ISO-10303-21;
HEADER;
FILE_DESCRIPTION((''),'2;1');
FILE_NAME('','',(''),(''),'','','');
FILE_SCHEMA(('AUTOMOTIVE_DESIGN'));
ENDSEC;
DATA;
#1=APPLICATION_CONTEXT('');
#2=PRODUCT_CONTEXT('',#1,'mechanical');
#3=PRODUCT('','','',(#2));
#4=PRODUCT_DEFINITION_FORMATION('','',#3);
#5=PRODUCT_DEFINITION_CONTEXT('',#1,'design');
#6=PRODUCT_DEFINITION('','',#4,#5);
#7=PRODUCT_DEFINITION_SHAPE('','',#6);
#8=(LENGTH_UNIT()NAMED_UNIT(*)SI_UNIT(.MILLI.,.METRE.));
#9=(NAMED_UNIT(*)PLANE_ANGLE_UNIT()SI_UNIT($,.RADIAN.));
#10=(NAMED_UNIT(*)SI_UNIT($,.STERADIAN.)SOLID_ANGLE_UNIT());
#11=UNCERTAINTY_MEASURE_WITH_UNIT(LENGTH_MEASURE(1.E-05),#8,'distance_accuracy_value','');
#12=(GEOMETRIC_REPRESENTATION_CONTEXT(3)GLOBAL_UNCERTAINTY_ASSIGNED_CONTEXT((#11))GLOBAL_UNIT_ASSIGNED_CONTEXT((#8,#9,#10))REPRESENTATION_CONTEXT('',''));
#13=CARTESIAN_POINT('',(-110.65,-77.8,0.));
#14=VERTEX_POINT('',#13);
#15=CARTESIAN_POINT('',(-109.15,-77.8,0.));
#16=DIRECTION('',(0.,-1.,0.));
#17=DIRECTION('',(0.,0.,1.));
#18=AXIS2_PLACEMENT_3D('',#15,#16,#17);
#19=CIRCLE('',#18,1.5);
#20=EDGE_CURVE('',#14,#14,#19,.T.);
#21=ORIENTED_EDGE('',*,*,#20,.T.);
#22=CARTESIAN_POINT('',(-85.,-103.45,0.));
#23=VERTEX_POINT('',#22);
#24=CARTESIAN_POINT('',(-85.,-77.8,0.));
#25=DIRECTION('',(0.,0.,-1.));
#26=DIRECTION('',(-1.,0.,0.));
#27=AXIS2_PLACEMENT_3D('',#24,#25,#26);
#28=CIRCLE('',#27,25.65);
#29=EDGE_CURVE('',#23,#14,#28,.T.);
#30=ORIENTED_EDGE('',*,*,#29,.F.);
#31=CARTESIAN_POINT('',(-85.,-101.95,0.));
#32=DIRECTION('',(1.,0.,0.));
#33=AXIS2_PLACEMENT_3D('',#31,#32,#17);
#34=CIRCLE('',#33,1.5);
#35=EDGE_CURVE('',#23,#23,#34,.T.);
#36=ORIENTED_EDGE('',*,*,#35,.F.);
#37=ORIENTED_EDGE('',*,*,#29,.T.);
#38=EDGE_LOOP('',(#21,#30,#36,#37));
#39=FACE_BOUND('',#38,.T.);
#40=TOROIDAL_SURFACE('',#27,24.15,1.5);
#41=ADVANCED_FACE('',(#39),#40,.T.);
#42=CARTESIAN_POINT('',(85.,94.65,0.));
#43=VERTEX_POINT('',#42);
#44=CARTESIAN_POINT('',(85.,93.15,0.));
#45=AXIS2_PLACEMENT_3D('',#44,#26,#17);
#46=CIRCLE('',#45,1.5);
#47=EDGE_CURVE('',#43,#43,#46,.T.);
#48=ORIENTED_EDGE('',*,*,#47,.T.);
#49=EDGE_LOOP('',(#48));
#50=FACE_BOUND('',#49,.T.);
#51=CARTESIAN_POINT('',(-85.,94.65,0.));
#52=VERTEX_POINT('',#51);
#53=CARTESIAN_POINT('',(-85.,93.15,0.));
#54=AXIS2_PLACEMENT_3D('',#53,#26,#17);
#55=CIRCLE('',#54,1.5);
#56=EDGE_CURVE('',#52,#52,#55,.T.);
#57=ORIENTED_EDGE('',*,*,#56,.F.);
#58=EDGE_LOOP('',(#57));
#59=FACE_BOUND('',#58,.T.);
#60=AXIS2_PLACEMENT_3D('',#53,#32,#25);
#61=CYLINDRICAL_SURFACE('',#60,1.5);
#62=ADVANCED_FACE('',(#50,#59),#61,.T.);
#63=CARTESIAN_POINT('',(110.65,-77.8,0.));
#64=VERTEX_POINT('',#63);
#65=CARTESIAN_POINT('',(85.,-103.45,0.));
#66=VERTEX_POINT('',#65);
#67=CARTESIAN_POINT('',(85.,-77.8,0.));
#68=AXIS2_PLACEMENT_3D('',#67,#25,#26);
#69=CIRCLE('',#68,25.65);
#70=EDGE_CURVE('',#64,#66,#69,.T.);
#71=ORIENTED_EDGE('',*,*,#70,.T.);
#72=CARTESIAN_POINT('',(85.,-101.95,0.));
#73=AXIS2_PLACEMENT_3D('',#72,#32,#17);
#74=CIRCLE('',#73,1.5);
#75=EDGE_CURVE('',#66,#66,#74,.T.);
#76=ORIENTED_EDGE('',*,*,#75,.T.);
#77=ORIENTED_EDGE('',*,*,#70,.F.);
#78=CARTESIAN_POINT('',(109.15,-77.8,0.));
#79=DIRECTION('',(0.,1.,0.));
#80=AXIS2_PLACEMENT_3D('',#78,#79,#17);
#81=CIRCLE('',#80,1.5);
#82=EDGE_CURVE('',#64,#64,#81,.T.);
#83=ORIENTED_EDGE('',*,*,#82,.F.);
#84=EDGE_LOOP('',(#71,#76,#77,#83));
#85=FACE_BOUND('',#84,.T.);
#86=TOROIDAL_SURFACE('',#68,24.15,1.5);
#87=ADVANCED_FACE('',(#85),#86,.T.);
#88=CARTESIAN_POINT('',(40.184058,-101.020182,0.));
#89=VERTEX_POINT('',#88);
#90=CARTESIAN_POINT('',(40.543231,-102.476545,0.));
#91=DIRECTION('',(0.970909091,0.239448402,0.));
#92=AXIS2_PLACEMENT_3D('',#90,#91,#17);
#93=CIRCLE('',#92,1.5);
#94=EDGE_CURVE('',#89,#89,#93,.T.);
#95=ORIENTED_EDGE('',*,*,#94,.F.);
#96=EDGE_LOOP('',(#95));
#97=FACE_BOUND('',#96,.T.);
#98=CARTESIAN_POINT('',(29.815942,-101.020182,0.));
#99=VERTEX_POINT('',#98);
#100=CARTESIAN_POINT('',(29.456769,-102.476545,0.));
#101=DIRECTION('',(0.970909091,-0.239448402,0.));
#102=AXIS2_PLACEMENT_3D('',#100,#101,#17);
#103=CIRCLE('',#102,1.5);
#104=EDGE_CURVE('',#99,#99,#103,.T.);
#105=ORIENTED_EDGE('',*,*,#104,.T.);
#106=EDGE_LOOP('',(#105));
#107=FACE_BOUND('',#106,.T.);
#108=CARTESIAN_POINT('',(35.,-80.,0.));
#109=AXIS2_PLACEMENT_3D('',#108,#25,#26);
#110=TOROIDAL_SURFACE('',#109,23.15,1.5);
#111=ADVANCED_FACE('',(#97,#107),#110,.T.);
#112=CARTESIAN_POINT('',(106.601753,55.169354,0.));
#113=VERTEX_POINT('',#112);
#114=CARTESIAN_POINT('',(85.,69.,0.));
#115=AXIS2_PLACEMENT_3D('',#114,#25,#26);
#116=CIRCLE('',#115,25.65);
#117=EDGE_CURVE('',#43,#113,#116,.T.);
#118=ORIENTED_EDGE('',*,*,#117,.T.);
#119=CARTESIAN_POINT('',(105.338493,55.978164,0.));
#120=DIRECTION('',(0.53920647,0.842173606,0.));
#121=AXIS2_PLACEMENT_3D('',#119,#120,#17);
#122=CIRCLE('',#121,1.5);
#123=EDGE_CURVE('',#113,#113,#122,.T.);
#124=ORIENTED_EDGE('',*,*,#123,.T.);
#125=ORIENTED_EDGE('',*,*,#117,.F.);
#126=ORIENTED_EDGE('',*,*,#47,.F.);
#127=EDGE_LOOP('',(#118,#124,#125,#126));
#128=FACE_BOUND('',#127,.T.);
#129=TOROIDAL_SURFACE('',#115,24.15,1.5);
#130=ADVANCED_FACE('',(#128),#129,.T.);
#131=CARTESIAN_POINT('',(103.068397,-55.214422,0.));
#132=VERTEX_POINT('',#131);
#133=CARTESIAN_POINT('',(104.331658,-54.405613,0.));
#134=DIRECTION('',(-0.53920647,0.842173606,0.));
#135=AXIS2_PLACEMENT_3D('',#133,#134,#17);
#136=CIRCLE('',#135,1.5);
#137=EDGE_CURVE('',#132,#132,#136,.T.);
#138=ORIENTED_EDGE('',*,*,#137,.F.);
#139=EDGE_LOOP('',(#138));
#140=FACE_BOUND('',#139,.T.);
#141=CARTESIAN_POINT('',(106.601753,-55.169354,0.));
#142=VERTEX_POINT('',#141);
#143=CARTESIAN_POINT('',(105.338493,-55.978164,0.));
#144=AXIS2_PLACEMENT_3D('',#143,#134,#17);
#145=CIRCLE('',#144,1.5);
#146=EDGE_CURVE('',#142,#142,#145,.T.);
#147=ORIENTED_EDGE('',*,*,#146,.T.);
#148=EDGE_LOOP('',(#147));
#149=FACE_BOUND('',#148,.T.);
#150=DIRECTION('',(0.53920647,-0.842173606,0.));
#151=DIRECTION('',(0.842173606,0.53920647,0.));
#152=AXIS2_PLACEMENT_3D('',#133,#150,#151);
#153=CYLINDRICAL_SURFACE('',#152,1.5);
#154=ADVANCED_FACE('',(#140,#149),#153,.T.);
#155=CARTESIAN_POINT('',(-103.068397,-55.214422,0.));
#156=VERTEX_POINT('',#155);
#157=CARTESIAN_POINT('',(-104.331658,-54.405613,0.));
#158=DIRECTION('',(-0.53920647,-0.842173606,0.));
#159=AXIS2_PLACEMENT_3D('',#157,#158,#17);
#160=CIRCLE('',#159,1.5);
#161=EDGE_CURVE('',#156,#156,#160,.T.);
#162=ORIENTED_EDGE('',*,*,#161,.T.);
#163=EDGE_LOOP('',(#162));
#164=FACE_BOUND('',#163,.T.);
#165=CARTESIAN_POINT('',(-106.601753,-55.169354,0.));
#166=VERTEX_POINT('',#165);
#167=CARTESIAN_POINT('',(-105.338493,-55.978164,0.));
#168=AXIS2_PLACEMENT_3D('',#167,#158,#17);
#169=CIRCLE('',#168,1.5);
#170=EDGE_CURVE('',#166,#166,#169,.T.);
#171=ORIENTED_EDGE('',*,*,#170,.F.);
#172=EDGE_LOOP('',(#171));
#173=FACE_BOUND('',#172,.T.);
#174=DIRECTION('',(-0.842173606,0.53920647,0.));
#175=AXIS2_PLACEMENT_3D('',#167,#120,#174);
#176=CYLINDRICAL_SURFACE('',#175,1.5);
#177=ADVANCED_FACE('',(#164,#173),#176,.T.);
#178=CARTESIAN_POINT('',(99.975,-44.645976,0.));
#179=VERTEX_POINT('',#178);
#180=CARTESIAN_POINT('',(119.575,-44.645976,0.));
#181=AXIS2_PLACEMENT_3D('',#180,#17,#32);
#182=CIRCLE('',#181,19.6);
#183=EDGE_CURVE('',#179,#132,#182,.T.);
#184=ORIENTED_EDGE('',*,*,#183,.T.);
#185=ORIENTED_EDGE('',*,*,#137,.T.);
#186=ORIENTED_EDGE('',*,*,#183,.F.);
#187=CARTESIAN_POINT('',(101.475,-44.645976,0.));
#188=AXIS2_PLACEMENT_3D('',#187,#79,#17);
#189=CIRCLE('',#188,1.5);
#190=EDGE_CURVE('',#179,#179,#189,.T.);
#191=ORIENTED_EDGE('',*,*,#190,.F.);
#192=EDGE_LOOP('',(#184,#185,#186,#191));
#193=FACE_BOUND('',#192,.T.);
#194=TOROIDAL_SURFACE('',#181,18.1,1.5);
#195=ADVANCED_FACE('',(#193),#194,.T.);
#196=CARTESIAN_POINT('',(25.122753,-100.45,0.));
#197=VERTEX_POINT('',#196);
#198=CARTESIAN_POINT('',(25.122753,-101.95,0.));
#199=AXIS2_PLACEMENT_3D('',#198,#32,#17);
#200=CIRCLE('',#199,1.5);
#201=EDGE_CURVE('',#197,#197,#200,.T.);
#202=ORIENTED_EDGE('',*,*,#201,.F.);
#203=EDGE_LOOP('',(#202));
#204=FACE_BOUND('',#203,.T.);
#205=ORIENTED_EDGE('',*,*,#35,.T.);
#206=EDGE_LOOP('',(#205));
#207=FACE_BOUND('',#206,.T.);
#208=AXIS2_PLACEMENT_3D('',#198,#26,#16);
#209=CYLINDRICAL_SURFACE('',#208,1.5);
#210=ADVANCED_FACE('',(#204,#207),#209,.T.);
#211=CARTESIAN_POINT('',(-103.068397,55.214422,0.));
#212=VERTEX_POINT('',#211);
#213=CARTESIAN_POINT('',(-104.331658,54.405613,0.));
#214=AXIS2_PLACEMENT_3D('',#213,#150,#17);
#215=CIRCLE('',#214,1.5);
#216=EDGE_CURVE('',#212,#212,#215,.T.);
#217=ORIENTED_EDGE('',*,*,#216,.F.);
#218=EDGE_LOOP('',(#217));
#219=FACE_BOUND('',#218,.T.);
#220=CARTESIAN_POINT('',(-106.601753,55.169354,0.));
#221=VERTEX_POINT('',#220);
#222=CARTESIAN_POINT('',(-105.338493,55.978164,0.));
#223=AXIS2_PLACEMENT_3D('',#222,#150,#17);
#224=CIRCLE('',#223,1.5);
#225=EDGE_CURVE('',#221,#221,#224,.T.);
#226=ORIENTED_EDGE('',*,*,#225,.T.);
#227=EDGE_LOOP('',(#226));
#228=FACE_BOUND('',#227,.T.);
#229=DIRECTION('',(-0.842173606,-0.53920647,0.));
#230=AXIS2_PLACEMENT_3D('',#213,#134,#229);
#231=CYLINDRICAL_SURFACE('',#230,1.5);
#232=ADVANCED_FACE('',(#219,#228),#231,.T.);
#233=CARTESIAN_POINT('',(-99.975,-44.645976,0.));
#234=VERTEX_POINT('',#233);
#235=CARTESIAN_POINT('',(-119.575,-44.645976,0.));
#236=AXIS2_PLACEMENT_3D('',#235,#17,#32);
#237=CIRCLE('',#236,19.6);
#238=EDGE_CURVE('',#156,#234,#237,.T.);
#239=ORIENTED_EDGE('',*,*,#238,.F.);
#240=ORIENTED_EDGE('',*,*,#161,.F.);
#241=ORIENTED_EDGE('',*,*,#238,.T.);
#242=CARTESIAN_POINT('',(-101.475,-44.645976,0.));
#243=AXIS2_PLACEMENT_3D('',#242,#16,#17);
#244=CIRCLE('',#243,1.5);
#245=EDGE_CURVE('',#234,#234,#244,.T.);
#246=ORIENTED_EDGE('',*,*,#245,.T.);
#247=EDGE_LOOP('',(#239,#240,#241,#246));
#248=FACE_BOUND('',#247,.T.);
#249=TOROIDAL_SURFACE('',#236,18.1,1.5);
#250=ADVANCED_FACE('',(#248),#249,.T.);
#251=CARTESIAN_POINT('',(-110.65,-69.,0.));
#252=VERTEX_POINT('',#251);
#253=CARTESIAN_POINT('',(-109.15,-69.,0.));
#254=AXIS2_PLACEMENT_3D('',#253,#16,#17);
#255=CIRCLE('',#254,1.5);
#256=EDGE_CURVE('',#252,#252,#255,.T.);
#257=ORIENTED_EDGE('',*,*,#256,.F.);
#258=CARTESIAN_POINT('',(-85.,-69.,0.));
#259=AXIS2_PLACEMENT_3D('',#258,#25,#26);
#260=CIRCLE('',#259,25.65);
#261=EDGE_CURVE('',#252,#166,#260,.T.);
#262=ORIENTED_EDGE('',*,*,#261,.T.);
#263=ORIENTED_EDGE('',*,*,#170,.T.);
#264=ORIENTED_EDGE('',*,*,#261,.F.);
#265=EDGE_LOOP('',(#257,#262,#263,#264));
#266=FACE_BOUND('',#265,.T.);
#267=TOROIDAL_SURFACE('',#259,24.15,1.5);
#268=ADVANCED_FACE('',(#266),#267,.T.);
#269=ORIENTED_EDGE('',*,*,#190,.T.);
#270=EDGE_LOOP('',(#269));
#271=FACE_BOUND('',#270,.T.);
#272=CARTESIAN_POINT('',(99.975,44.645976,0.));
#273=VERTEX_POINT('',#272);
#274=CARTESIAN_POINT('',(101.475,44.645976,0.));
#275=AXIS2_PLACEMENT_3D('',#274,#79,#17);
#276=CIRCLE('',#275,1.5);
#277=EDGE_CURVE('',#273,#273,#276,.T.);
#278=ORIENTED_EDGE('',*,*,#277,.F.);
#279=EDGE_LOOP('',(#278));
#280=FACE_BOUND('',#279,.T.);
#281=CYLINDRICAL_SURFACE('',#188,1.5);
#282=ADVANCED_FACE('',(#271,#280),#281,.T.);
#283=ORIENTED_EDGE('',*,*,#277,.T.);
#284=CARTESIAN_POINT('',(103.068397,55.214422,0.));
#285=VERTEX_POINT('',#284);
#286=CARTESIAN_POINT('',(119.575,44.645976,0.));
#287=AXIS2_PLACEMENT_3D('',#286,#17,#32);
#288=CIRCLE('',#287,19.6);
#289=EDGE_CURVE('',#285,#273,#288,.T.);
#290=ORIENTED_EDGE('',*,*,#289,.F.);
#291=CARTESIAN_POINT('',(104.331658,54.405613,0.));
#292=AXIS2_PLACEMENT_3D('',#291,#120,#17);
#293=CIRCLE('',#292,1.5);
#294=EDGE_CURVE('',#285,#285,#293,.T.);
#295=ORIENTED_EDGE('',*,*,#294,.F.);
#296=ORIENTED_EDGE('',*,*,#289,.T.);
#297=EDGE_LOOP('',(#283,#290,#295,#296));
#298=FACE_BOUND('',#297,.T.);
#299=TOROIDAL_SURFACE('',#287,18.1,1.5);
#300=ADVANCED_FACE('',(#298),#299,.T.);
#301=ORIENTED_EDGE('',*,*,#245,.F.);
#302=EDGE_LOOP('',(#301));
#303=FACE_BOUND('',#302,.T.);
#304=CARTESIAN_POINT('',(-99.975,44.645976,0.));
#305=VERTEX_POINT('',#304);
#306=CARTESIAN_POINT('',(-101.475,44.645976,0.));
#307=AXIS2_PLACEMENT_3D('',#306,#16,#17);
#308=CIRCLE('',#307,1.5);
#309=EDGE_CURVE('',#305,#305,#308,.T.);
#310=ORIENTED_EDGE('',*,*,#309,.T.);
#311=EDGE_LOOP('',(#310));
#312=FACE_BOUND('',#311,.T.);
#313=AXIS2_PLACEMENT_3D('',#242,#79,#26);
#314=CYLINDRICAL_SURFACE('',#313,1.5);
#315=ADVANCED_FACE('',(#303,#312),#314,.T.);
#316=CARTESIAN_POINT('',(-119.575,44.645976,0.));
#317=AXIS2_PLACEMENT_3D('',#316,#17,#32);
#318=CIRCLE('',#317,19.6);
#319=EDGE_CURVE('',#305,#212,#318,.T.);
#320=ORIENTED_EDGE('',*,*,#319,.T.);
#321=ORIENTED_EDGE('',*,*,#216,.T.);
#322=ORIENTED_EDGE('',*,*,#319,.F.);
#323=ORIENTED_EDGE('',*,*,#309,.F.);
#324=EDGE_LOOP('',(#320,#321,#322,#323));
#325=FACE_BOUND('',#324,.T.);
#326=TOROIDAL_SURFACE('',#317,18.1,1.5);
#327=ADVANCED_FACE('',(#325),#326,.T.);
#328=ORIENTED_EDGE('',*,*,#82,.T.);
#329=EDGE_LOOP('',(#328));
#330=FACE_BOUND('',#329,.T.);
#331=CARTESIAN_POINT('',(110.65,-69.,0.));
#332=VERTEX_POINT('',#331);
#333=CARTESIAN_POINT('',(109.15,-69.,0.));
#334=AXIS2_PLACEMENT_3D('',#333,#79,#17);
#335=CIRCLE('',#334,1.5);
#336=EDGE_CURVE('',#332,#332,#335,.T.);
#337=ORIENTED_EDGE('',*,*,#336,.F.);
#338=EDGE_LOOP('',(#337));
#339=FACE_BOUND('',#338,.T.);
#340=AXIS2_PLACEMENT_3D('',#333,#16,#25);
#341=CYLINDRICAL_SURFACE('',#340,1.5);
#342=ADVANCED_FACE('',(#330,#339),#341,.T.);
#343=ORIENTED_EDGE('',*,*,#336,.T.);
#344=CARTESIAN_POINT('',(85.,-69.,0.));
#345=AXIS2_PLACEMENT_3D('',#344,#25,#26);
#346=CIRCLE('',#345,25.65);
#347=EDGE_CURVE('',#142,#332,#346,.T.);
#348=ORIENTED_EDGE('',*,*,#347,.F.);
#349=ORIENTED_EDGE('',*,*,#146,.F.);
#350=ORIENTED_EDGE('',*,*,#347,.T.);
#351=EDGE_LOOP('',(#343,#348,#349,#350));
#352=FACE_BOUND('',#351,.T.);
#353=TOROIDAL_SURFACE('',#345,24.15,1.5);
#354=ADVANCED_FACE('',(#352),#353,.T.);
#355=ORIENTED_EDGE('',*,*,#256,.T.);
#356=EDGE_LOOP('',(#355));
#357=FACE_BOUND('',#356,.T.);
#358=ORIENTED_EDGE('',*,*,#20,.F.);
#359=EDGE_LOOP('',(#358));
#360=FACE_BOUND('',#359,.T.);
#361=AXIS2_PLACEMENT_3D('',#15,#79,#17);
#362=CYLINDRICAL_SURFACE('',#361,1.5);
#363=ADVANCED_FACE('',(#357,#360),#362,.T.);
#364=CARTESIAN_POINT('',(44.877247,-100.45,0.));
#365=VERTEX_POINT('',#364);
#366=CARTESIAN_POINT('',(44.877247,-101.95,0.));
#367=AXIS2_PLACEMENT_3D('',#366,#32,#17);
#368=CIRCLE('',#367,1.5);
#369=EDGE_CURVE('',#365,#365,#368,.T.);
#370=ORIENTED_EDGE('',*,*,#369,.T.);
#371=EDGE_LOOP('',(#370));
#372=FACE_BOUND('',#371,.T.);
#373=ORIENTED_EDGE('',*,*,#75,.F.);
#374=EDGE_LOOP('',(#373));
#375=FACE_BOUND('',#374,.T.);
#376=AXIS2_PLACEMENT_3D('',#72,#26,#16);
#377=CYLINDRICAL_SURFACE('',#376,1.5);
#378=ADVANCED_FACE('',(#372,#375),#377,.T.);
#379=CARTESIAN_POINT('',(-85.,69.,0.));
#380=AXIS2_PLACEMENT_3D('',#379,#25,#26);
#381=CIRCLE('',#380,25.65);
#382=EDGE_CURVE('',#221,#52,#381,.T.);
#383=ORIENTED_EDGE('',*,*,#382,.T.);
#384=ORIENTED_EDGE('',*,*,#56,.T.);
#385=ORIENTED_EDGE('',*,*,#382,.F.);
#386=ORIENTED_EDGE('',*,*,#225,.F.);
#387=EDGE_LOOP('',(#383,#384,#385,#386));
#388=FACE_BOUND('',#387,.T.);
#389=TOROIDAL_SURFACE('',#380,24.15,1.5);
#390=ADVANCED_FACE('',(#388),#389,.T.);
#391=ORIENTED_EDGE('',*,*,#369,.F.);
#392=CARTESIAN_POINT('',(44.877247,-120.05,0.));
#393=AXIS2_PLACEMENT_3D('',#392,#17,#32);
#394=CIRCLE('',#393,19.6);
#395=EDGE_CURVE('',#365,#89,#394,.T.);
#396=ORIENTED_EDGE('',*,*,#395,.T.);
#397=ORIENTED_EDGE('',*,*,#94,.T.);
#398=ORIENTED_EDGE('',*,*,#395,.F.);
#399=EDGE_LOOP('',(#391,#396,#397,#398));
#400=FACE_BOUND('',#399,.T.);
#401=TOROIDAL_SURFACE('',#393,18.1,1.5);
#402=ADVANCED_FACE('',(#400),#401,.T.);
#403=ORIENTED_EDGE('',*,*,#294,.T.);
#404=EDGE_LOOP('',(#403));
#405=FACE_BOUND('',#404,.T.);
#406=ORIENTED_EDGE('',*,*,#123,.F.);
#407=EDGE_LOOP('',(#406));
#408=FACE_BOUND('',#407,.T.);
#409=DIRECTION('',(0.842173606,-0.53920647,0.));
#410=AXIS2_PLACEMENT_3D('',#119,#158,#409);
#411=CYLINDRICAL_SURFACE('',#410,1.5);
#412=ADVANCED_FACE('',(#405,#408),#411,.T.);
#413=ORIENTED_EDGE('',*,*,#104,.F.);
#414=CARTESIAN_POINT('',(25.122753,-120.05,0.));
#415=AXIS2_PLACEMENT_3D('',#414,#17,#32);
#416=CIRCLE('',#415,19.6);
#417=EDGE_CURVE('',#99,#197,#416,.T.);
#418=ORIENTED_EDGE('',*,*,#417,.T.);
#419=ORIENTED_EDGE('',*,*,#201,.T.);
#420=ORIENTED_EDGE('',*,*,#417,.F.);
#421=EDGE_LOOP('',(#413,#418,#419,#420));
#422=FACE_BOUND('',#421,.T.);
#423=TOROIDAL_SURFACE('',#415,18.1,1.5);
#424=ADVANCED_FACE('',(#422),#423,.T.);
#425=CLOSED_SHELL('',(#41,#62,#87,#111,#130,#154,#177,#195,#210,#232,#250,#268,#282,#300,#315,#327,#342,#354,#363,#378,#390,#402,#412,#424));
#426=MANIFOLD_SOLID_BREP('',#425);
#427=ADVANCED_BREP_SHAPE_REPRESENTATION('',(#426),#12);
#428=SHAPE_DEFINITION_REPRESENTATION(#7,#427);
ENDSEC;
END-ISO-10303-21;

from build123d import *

# Parameters (mm, degrees)
SKETCH2_R = 1.5


with BuildPart() as part:
    # Sweep1: sweep along a path in Sketch1
    with BuildLine(Plane.XY) as sweep1_path:
        Line((105.338492591, -55.978163757), (104.331657727, -54.405612618))
        ThreePointArc((104.331657727, -54.405612618), (102.203838623, -49.730535717), (101.475, -44.645975517))
        Line((101.475, -44.645975517), (101.475, 44.645975517))
        ThreePointArc((101.475, 44.645975517), (102.203838623, 49.730535717), (104.331657727, 54.405612618))
        Line((104.331657727, 54.405612618), (105.338492591, 55.978163757))
        ThreePointArc((105.338492591, 55.978163757), (106.18607851, 80.591918623), (85, 93.15))
        Line((85, 93.15), (-85, 93.15))
        ThreePointArc((-85, 93.15), (-106.18607851, 80.591918623), (-105.338492591, 55.978163757))
        Line((-105.338492591, 55.978163757), (-104.331657727, 54.405612618))
        ThreePointArc((-104.331657727, 54.405612618), (-102.203838623, 49.730535717), (-101.475, 44.645975517))
        Line((-101.475, 44.645975517), (-101.475, -44.645975517))
        ThreePointArc((-101.475, -44.645975517), (-102.203838623, -49.730535717), (-104.331657727, -54.405612618))
        Line((-104.331657727, -54.405612618), (-105.338492591, -55.978163757))
        ThreePointArc((-105.338492591, -55.978163757), (-108.177544047, -62.215904484), (-109.15, -69))
        Line((-109.15, -69), (-109.15, -77.8))
        ThreePointArc((-109.15, -77.8), (-102.076628766, -94.876628766), (-85, -101.95))
        Line((-85, -101.95), (25.12275342, -101.95))
        ThreePointArc((25.12275342, -101.95), (27.305695555, -102.082118555), (29.456769495, -102.476545455))
        ThreePointArc((29.456769495, -102.476545455), (35, -103.15), (40.543230505, -102.476545455))
        ThreePointArc((40.543230505, -102.476545455), (42.694304445, -102.082118555), (44.87724658, -101.95))
        Line((44.87724658, -101.95), (85, -101.95))
        ThreePointArc((85, -101.95), (102.076628766, -94.876628766), (109.15, -77.8))
        Line((109.15, -77.8), (109.15, -69))
        ThreePointArc((109.15, -69), (108.177544047, -62.215904484), (105.338492591, -55.978163757))
    # Sketch2 → Sweep1 (sweep)
    with BuildSketch(Plane(origin=(0, 0, 0), x_dir=(1, 0, 0), z_dir=(0, 1, 0))):
        with Locations((101.475, 0)):
            Circle(SKETCH2_R)
    sweep(path=sweep1_path.line)


solid = part.part
